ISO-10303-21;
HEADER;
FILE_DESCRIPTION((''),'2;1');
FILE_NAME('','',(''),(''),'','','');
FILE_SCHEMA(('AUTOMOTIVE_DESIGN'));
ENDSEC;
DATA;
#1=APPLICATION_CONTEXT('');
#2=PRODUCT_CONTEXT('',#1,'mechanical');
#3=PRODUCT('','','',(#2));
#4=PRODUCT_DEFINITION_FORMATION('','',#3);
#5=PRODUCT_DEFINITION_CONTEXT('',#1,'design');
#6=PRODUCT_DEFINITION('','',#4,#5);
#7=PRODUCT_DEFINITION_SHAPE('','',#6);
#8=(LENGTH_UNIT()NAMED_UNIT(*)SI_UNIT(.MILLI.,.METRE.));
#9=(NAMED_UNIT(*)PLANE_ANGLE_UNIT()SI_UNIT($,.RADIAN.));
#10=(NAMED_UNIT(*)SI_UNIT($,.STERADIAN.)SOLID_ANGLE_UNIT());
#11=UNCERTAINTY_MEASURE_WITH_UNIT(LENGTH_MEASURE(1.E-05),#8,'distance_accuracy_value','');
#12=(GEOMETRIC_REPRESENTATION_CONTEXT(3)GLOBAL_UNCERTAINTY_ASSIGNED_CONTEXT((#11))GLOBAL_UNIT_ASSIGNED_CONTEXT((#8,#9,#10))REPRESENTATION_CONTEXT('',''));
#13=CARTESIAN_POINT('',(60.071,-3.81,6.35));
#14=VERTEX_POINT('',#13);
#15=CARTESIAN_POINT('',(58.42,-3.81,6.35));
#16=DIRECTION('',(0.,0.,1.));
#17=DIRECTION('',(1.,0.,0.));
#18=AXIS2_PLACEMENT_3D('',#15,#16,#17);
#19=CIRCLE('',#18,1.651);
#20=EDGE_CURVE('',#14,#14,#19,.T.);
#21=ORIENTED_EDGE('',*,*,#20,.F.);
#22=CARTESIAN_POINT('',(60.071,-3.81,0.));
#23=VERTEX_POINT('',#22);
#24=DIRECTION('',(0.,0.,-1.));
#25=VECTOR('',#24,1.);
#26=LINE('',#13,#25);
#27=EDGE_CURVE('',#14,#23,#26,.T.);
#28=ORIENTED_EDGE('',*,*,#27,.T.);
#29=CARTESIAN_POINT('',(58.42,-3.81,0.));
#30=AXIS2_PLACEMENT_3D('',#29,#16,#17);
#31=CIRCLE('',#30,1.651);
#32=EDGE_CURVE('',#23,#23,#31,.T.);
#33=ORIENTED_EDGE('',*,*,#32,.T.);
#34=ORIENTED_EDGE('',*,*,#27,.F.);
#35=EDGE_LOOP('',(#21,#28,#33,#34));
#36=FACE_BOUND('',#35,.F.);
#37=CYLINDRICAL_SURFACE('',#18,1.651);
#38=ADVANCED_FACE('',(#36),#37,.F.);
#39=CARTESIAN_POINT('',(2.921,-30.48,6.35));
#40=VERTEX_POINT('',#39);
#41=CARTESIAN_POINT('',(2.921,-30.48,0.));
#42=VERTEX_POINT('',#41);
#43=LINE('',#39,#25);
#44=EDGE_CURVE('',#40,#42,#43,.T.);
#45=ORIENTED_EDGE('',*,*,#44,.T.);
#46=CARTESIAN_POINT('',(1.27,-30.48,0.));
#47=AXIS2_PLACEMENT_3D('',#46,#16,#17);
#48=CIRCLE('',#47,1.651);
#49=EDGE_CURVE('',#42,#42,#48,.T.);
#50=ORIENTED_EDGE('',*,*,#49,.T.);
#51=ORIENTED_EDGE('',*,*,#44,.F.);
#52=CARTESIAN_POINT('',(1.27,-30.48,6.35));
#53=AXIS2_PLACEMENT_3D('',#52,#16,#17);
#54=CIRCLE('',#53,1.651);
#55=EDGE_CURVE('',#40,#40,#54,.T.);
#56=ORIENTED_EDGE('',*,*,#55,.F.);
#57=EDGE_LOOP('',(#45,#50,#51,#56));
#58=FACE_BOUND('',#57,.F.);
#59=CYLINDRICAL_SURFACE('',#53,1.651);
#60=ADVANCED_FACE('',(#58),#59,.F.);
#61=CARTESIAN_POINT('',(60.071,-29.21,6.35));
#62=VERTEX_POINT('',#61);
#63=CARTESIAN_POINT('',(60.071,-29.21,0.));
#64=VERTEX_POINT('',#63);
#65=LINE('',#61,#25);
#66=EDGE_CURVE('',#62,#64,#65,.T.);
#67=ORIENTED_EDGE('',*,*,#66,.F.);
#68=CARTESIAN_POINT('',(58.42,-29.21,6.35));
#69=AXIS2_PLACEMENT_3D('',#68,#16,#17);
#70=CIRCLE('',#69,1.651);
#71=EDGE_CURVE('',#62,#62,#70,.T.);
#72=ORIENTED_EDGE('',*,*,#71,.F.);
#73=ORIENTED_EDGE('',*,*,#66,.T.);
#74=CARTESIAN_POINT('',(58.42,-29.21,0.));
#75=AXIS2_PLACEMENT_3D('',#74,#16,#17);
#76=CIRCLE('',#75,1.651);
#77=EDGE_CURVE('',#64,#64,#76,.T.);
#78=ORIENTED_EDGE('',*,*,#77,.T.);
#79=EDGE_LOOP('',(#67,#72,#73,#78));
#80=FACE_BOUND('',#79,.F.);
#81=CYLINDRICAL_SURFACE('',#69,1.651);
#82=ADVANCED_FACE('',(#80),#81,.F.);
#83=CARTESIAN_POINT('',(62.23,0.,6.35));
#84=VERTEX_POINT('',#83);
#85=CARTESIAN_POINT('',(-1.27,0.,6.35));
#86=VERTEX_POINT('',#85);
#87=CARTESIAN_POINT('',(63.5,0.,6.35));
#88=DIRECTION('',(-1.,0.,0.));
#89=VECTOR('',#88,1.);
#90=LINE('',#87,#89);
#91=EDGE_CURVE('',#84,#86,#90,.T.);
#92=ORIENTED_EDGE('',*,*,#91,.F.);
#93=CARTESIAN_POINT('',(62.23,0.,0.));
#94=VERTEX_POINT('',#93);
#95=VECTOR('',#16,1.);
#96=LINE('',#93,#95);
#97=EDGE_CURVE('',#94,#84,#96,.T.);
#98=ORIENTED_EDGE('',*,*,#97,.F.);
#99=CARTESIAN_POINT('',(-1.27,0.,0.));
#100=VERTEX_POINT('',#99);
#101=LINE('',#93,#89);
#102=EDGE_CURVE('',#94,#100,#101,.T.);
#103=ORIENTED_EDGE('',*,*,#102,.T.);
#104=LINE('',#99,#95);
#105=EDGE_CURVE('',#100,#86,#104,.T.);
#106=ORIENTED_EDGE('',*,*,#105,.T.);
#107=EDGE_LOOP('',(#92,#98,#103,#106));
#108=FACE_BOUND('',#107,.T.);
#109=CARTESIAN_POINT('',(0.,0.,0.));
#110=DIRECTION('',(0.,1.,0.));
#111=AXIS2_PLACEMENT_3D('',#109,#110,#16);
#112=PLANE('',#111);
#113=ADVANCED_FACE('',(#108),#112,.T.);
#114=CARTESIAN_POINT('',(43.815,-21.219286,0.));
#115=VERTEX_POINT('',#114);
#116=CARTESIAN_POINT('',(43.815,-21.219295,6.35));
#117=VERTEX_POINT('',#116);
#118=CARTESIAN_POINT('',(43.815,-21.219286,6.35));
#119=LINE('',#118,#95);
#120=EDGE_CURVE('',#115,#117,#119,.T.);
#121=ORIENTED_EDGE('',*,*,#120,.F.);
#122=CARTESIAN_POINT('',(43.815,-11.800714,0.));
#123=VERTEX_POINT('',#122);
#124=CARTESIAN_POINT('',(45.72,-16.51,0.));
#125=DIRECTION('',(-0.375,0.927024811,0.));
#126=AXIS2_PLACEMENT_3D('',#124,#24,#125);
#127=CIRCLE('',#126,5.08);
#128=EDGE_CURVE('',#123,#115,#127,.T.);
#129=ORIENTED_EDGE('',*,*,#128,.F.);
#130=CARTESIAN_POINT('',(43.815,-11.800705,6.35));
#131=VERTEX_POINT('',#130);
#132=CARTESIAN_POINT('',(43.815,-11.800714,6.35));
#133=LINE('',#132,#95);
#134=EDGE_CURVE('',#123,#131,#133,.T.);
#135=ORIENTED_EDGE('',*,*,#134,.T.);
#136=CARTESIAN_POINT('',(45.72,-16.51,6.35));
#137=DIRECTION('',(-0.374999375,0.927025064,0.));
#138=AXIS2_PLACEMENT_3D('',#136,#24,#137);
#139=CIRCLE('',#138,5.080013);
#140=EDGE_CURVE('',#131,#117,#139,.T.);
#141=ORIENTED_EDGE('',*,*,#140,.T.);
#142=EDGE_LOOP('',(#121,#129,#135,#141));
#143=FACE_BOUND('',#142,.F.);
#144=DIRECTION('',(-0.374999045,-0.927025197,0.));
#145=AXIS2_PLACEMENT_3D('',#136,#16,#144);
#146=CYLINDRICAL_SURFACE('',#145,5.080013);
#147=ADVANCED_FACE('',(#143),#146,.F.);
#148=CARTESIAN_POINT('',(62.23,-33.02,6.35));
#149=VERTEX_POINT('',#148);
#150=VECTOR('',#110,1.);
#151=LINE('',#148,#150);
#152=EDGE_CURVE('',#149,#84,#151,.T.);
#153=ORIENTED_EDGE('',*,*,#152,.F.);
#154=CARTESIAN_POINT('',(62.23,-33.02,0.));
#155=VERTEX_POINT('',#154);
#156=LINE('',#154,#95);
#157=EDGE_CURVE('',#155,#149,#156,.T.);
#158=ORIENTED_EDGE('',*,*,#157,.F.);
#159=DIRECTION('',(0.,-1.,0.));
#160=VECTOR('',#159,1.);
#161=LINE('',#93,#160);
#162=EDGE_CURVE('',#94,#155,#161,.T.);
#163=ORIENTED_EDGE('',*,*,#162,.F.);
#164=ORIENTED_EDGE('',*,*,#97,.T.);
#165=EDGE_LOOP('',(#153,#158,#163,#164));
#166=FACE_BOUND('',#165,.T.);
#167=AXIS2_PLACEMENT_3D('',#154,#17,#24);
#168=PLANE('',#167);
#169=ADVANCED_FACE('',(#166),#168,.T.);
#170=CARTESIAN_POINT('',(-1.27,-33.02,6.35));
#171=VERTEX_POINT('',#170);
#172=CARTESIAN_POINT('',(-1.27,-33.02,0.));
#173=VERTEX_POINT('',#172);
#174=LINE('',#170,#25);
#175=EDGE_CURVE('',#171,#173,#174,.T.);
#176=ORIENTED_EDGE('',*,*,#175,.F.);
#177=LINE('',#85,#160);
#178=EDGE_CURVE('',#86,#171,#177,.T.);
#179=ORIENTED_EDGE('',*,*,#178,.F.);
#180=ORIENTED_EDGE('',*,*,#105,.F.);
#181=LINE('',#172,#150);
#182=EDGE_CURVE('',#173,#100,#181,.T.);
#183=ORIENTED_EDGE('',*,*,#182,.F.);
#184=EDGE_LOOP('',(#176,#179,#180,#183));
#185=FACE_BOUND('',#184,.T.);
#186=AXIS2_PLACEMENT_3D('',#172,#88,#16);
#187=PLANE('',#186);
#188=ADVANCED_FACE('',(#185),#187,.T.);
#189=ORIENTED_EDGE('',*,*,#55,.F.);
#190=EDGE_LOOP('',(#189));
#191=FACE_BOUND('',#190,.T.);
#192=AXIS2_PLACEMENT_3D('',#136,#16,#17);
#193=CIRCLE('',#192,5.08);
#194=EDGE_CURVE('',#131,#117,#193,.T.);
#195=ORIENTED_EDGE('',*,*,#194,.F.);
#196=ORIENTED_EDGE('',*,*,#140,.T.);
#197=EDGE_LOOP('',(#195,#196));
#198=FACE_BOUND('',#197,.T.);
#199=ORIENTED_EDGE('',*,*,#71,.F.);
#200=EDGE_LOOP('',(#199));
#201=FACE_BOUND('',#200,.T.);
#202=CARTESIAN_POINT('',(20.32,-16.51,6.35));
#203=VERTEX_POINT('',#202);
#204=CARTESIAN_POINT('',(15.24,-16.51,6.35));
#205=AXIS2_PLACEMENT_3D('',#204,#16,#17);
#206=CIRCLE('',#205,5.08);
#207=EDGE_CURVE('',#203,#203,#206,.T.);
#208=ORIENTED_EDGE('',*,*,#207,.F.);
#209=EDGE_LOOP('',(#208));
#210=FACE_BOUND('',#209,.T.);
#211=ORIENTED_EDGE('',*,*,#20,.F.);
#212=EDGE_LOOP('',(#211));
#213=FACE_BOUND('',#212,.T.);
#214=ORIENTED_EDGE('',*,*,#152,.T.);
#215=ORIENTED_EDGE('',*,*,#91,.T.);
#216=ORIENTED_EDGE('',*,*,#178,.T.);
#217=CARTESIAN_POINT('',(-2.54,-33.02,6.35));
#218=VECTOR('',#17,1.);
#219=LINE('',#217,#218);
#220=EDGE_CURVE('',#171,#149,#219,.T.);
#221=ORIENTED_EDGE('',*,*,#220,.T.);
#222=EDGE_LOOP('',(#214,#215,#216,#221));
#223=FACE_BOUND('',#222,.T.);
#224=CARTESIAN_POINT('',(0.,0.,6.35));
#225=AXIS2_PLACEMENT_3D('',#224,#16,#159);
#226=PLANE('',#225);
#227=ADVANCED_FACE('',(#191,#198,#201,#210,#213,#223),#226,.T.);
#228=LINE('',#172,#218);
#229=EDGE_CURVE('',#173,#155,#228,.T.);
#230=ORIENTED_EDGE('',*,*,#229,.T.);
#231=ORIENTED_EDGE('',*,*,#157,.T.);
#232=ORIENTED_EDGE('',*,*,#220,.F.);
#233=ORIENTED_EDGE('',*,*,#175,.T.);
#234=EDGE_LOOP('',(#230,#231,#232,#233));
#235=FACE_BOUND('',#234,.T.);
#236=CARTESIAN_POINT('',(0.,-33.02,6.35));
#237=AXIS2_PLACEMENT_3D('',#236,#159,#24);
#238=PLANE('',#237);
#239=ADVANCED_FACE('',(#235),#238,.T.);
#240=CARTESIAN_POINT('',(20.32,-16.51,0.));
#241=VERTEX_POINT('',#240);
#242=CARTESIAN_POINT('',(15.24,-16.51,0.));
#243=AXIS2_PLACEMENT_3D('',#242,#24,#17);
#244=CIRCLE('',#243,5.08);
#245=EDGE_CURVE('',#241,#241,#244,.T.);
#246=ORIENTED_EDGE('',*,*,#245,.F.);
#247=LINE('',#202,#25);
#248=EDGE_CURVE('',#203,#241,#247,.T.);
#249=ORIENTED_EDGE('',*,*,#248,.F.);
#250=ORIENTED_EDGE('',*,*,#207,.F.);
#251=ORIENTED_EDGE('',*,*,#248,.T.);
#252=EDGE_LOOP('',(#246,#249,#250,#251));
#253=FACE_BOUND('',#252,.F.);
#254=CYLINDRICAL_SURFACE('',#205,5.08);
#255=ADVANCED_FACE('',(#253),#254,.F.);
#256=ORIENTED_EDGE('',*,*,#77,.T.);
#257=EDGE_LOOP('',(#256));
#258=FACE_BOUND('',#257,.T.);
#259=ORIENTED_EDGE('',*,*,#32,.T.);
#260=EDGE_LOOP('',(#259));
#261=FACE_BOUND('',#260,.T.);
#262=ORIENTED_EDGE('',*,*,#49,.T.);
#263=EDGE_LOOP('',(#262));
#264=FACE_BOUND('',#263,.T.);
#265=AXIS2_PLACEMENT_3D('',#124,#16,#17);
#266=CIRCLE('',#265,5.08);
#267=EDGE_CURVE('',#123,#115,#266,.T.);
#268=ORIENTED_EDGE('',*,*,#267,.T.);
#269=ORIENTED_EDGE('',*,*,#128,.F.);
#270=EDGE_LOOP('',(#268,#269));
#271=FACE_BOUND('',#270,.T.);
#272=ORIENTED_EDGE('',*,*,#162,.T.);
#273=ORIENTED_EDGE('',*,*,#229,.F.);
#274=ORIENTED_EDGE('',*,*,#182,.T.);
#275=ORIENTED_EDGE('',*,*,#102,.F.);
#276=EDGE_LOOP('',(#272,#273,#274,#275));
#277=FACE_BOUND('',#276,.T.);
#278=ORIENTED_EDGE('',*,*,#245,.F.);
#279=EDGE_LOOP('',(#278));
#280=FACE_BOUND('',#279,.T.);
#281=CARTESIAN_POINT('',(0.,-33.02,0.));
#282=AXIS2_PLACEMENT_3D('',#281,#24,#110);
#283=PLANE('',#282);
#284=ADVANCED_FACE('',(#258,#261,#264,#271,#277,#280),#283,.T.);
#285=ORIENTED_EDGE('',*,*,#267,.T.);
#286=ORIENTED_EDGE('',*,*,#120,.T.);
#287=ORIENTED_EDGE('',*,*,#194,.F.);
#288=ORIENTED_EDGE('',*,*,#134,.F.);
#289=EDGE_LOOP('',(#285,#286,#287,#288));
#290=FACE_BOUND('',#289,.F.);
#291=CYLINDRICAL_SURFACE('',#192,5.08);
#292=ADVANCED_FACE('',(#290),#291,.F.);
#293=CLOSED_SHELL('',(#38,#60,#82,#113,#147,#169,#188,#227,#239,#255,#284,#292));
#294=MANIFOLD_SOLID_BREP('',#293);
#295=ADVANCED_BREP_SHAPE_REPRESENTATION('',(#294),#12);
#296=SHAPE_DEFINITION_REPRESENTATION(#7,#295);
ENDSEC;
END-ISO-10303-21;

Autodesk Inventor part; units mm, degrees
ref_plane "YZ Plane" through (0, 0, 0) normal (1, 0, 0) x (0, 1, 0)
ref_plane "XZ Plane" through (0, 0, 0) normal (0, 1, 0) x (-1, 0, 0)
ref_plane "XY Plane" through (0, 0, 0) normal (0, 0, 1) x (1, 0, 0)
sketch "Sketch1" plane through (0, 0, 0) normal (0, 0, 1) x (1, 0, 0)
  line L0 (0, 0) -> (58.42, 0)
  line L1 (58.42, 0) -> (58.42, -33.02)
  line L2 (58.42, -33.02) -> (0, -33.02)
  line L3 (0, -33.02) -> (0, 0)
  dimension "d0" = 58.42
  dimension "d1" = 33.02
extrude "Extrusion1" add sketch "Sketch1" along normal blind 6.35
sketch "Sketch4" plane through (0, 0, 6.35) normal (0, 0, 1) x (1, 0, 0)
  point P0 (0, 0)
sketch "Sketch5" plane through (58.42, -33.02, 0) normal (1, 0, 0) x (0, 0, -1)
  line L0 (-6.35, 33.02) -> (-6.35, 0) projected
  line L1 (0, 33.02) -> (-6.35, 33.02)
  line L2 (-6.35, 33.02) -> (-6.35, 0)
  line L3 (-6.35, 0) -> (0, 0)
  line L4 (0, 0) -> (0, 33.02)
extrude "Extrusion4" add sketch "Sketch5" along normal blind 5.08
sketch "Sketch6" plane through (0, 0, 6.35) normal (0, 0, 1) x (1, 0, 0)
  circle A0 centre (15.24, -16.51) radius 5.08
  line L0 (0, 0) -> (63.5, 0) projected
  line L1 (0, 0) -> (0, -33.02) projected
  circle A1 centre (41.91, -16.51) radius 5.08
  dimension "d16" = 10.16
  dimension "d17" = 16.51
  dimension "d18" = 15.24
  dimension "d19" = 10.16
  dimension "d20" = 26.67
extrude "Extrusion5" cut sketch "Sketch6" against normal blind 7.62
sketch "Sketch7" plane through (0, -33.02, 0) normal (-1, 0, 0) x (0, 0, 1)
  line L0 (6.35, 33.02) -> (6.35, 0) projected
  line L1 (0, 33.02) -> (6.35, 33.02)
  line L2 (6.35, 33.02) -> (6.35, 0)
  line L3 (6.35, 0) -> (0, 0)
  line L4 (0, 0) -> (0, 33.02)
extrude "Extrusion6" add sketch "Sketch7" along normal blind 2.54
sketch "Sketch8" plane through (-2.54, -33.02, 0) normal (-1, 0, 0) x (0, 0, 1)
  line L0 (6.35, 0) -> (0, 0) projected
  line L1 (0, 33.02) -> (6.35, 33.02)
  line L2 (6.35, 33.02) -> (6.35, 0)
  line L3 (6.35, 0) -> (0, 0)
  line L4 (0, 0) -> (0, 33.02)
extrude "Extrusion7" cut sketch "Sketch8" against normal blind 1.27
sketch "Sketch10" plane through (63.5, -33.02, 0) normal (1, 0, 0) x (0, 0, -1)
  line L0 (0, 33.02) -> (-6.35, 33.02) projected
  line L1 (-6.35, 33.02) -> (0, 33.02)
  line L2 (0, 33.02) -> (0, 0)
  line L3 (0, 0) -> (-6.35, 0)
  line L4 (-6.35, 0) -> (-6.35, 33.02)
extrude "Extrusion9" cut sketch "Sketch10" against normal blind 1.27
sketch "Sketch11" plane through (0, 0, 6.35) normal (0, 0, 1) x (1, 0, 0)
  circle A0 centre (58.42, -3.81) radius 1.651
  circle A1 centre (58.42, -29.21) radius 1.651
  line L0 (62.23, -33.02) -> (62.23, 0) projected
  line L1 (-1.27, 0) -> (62.23, 0) projected
  line L2 (62.23, -33.02) -> (-1.27, -33.02) projected
  point P0 (0, 0)
  dimension "d37" = 3.302
  dimension "d38" = 3.302
  dimension "d39" = 3.81
  dimension "d40" = 3.81
  dimension "d41" = 3.81
  dimension "d42" = 3.81
extrude "Extrusion10" cut sketch "Sketch11" against normal blind 6.35
sketch "Sketch12" plane through (0, 0, 6.35) normal (0, 0, 1) x (1, 0, 0)
  circle A0 centre (1.27, -30.48) radius 1.651
  line L0 (62.23, -33.02) -> (-1.27, -33.02) projected
  line L1 (-1.27, 0) -> (-1.27, -33.02) projected
  point P0 (0, 0)
  dimension "d45" = 3.302
  dimension "d46" = 2.54
  dimension "d47" = 2.54
extrude "Extrusion11" cut sketch "Sketch12" against normal blind 6.35
sketch "Sketch14" plane through (0, 0, 6.35) normal (0, 0, 1) x (1, 0, 0)
  line L0 (62.23, -33.02) -> (-1.27, -33.02) projected
  circle A0 centre (15.24, -16.51) radius 5.08 projected
  circle A1 centre (45.72, -16.51) radius 5.08
  circle A2 centre (45.72, -16.51) radius 9.5628
  point P0 (0, 0)
  dimension "d55" = 16.51
  dimension "d56" = 30.48
  dimension "d57" = 10.16
extrude "Extrusion13" add sketch "Sketch14" against normal blind 25.4 contours A2
sketch "Sketch15" plane through (0, 0, 6.35) normal (0, 0, 1) x (1, 0, 0)
  arc A0 (43.815, -21.2193) -> (43.815, -11.8007) centre (45.72, -16.51) ccw projected
  circle A1 centre (45.72, -16.51) radius 5.08
  point P0 (0, 0)
  dimension "d60" = 10.16
extrude "Extrusion14" cut sketch "Sketch15" against normal blind 25.4
sketch "Sketch16" plane through (62.23, -33.02, 0) normal (1, 0, 0) x (0, 0, -1)
  line L0 (0, 33.02) -> (24.9561, 33.02)
  line L1 (24.9561, 33.02) -> (24.9561, -0.1066)
  line L2 (24.9561, -0.1066) -> (0, -0.1066)
  line L3 (0, -0.1066) -> (0, 33.02)
extrude "Extrusion15" cut sketch "Sketch16" against normal blind 50.8
properties part number "claw attachment back"
